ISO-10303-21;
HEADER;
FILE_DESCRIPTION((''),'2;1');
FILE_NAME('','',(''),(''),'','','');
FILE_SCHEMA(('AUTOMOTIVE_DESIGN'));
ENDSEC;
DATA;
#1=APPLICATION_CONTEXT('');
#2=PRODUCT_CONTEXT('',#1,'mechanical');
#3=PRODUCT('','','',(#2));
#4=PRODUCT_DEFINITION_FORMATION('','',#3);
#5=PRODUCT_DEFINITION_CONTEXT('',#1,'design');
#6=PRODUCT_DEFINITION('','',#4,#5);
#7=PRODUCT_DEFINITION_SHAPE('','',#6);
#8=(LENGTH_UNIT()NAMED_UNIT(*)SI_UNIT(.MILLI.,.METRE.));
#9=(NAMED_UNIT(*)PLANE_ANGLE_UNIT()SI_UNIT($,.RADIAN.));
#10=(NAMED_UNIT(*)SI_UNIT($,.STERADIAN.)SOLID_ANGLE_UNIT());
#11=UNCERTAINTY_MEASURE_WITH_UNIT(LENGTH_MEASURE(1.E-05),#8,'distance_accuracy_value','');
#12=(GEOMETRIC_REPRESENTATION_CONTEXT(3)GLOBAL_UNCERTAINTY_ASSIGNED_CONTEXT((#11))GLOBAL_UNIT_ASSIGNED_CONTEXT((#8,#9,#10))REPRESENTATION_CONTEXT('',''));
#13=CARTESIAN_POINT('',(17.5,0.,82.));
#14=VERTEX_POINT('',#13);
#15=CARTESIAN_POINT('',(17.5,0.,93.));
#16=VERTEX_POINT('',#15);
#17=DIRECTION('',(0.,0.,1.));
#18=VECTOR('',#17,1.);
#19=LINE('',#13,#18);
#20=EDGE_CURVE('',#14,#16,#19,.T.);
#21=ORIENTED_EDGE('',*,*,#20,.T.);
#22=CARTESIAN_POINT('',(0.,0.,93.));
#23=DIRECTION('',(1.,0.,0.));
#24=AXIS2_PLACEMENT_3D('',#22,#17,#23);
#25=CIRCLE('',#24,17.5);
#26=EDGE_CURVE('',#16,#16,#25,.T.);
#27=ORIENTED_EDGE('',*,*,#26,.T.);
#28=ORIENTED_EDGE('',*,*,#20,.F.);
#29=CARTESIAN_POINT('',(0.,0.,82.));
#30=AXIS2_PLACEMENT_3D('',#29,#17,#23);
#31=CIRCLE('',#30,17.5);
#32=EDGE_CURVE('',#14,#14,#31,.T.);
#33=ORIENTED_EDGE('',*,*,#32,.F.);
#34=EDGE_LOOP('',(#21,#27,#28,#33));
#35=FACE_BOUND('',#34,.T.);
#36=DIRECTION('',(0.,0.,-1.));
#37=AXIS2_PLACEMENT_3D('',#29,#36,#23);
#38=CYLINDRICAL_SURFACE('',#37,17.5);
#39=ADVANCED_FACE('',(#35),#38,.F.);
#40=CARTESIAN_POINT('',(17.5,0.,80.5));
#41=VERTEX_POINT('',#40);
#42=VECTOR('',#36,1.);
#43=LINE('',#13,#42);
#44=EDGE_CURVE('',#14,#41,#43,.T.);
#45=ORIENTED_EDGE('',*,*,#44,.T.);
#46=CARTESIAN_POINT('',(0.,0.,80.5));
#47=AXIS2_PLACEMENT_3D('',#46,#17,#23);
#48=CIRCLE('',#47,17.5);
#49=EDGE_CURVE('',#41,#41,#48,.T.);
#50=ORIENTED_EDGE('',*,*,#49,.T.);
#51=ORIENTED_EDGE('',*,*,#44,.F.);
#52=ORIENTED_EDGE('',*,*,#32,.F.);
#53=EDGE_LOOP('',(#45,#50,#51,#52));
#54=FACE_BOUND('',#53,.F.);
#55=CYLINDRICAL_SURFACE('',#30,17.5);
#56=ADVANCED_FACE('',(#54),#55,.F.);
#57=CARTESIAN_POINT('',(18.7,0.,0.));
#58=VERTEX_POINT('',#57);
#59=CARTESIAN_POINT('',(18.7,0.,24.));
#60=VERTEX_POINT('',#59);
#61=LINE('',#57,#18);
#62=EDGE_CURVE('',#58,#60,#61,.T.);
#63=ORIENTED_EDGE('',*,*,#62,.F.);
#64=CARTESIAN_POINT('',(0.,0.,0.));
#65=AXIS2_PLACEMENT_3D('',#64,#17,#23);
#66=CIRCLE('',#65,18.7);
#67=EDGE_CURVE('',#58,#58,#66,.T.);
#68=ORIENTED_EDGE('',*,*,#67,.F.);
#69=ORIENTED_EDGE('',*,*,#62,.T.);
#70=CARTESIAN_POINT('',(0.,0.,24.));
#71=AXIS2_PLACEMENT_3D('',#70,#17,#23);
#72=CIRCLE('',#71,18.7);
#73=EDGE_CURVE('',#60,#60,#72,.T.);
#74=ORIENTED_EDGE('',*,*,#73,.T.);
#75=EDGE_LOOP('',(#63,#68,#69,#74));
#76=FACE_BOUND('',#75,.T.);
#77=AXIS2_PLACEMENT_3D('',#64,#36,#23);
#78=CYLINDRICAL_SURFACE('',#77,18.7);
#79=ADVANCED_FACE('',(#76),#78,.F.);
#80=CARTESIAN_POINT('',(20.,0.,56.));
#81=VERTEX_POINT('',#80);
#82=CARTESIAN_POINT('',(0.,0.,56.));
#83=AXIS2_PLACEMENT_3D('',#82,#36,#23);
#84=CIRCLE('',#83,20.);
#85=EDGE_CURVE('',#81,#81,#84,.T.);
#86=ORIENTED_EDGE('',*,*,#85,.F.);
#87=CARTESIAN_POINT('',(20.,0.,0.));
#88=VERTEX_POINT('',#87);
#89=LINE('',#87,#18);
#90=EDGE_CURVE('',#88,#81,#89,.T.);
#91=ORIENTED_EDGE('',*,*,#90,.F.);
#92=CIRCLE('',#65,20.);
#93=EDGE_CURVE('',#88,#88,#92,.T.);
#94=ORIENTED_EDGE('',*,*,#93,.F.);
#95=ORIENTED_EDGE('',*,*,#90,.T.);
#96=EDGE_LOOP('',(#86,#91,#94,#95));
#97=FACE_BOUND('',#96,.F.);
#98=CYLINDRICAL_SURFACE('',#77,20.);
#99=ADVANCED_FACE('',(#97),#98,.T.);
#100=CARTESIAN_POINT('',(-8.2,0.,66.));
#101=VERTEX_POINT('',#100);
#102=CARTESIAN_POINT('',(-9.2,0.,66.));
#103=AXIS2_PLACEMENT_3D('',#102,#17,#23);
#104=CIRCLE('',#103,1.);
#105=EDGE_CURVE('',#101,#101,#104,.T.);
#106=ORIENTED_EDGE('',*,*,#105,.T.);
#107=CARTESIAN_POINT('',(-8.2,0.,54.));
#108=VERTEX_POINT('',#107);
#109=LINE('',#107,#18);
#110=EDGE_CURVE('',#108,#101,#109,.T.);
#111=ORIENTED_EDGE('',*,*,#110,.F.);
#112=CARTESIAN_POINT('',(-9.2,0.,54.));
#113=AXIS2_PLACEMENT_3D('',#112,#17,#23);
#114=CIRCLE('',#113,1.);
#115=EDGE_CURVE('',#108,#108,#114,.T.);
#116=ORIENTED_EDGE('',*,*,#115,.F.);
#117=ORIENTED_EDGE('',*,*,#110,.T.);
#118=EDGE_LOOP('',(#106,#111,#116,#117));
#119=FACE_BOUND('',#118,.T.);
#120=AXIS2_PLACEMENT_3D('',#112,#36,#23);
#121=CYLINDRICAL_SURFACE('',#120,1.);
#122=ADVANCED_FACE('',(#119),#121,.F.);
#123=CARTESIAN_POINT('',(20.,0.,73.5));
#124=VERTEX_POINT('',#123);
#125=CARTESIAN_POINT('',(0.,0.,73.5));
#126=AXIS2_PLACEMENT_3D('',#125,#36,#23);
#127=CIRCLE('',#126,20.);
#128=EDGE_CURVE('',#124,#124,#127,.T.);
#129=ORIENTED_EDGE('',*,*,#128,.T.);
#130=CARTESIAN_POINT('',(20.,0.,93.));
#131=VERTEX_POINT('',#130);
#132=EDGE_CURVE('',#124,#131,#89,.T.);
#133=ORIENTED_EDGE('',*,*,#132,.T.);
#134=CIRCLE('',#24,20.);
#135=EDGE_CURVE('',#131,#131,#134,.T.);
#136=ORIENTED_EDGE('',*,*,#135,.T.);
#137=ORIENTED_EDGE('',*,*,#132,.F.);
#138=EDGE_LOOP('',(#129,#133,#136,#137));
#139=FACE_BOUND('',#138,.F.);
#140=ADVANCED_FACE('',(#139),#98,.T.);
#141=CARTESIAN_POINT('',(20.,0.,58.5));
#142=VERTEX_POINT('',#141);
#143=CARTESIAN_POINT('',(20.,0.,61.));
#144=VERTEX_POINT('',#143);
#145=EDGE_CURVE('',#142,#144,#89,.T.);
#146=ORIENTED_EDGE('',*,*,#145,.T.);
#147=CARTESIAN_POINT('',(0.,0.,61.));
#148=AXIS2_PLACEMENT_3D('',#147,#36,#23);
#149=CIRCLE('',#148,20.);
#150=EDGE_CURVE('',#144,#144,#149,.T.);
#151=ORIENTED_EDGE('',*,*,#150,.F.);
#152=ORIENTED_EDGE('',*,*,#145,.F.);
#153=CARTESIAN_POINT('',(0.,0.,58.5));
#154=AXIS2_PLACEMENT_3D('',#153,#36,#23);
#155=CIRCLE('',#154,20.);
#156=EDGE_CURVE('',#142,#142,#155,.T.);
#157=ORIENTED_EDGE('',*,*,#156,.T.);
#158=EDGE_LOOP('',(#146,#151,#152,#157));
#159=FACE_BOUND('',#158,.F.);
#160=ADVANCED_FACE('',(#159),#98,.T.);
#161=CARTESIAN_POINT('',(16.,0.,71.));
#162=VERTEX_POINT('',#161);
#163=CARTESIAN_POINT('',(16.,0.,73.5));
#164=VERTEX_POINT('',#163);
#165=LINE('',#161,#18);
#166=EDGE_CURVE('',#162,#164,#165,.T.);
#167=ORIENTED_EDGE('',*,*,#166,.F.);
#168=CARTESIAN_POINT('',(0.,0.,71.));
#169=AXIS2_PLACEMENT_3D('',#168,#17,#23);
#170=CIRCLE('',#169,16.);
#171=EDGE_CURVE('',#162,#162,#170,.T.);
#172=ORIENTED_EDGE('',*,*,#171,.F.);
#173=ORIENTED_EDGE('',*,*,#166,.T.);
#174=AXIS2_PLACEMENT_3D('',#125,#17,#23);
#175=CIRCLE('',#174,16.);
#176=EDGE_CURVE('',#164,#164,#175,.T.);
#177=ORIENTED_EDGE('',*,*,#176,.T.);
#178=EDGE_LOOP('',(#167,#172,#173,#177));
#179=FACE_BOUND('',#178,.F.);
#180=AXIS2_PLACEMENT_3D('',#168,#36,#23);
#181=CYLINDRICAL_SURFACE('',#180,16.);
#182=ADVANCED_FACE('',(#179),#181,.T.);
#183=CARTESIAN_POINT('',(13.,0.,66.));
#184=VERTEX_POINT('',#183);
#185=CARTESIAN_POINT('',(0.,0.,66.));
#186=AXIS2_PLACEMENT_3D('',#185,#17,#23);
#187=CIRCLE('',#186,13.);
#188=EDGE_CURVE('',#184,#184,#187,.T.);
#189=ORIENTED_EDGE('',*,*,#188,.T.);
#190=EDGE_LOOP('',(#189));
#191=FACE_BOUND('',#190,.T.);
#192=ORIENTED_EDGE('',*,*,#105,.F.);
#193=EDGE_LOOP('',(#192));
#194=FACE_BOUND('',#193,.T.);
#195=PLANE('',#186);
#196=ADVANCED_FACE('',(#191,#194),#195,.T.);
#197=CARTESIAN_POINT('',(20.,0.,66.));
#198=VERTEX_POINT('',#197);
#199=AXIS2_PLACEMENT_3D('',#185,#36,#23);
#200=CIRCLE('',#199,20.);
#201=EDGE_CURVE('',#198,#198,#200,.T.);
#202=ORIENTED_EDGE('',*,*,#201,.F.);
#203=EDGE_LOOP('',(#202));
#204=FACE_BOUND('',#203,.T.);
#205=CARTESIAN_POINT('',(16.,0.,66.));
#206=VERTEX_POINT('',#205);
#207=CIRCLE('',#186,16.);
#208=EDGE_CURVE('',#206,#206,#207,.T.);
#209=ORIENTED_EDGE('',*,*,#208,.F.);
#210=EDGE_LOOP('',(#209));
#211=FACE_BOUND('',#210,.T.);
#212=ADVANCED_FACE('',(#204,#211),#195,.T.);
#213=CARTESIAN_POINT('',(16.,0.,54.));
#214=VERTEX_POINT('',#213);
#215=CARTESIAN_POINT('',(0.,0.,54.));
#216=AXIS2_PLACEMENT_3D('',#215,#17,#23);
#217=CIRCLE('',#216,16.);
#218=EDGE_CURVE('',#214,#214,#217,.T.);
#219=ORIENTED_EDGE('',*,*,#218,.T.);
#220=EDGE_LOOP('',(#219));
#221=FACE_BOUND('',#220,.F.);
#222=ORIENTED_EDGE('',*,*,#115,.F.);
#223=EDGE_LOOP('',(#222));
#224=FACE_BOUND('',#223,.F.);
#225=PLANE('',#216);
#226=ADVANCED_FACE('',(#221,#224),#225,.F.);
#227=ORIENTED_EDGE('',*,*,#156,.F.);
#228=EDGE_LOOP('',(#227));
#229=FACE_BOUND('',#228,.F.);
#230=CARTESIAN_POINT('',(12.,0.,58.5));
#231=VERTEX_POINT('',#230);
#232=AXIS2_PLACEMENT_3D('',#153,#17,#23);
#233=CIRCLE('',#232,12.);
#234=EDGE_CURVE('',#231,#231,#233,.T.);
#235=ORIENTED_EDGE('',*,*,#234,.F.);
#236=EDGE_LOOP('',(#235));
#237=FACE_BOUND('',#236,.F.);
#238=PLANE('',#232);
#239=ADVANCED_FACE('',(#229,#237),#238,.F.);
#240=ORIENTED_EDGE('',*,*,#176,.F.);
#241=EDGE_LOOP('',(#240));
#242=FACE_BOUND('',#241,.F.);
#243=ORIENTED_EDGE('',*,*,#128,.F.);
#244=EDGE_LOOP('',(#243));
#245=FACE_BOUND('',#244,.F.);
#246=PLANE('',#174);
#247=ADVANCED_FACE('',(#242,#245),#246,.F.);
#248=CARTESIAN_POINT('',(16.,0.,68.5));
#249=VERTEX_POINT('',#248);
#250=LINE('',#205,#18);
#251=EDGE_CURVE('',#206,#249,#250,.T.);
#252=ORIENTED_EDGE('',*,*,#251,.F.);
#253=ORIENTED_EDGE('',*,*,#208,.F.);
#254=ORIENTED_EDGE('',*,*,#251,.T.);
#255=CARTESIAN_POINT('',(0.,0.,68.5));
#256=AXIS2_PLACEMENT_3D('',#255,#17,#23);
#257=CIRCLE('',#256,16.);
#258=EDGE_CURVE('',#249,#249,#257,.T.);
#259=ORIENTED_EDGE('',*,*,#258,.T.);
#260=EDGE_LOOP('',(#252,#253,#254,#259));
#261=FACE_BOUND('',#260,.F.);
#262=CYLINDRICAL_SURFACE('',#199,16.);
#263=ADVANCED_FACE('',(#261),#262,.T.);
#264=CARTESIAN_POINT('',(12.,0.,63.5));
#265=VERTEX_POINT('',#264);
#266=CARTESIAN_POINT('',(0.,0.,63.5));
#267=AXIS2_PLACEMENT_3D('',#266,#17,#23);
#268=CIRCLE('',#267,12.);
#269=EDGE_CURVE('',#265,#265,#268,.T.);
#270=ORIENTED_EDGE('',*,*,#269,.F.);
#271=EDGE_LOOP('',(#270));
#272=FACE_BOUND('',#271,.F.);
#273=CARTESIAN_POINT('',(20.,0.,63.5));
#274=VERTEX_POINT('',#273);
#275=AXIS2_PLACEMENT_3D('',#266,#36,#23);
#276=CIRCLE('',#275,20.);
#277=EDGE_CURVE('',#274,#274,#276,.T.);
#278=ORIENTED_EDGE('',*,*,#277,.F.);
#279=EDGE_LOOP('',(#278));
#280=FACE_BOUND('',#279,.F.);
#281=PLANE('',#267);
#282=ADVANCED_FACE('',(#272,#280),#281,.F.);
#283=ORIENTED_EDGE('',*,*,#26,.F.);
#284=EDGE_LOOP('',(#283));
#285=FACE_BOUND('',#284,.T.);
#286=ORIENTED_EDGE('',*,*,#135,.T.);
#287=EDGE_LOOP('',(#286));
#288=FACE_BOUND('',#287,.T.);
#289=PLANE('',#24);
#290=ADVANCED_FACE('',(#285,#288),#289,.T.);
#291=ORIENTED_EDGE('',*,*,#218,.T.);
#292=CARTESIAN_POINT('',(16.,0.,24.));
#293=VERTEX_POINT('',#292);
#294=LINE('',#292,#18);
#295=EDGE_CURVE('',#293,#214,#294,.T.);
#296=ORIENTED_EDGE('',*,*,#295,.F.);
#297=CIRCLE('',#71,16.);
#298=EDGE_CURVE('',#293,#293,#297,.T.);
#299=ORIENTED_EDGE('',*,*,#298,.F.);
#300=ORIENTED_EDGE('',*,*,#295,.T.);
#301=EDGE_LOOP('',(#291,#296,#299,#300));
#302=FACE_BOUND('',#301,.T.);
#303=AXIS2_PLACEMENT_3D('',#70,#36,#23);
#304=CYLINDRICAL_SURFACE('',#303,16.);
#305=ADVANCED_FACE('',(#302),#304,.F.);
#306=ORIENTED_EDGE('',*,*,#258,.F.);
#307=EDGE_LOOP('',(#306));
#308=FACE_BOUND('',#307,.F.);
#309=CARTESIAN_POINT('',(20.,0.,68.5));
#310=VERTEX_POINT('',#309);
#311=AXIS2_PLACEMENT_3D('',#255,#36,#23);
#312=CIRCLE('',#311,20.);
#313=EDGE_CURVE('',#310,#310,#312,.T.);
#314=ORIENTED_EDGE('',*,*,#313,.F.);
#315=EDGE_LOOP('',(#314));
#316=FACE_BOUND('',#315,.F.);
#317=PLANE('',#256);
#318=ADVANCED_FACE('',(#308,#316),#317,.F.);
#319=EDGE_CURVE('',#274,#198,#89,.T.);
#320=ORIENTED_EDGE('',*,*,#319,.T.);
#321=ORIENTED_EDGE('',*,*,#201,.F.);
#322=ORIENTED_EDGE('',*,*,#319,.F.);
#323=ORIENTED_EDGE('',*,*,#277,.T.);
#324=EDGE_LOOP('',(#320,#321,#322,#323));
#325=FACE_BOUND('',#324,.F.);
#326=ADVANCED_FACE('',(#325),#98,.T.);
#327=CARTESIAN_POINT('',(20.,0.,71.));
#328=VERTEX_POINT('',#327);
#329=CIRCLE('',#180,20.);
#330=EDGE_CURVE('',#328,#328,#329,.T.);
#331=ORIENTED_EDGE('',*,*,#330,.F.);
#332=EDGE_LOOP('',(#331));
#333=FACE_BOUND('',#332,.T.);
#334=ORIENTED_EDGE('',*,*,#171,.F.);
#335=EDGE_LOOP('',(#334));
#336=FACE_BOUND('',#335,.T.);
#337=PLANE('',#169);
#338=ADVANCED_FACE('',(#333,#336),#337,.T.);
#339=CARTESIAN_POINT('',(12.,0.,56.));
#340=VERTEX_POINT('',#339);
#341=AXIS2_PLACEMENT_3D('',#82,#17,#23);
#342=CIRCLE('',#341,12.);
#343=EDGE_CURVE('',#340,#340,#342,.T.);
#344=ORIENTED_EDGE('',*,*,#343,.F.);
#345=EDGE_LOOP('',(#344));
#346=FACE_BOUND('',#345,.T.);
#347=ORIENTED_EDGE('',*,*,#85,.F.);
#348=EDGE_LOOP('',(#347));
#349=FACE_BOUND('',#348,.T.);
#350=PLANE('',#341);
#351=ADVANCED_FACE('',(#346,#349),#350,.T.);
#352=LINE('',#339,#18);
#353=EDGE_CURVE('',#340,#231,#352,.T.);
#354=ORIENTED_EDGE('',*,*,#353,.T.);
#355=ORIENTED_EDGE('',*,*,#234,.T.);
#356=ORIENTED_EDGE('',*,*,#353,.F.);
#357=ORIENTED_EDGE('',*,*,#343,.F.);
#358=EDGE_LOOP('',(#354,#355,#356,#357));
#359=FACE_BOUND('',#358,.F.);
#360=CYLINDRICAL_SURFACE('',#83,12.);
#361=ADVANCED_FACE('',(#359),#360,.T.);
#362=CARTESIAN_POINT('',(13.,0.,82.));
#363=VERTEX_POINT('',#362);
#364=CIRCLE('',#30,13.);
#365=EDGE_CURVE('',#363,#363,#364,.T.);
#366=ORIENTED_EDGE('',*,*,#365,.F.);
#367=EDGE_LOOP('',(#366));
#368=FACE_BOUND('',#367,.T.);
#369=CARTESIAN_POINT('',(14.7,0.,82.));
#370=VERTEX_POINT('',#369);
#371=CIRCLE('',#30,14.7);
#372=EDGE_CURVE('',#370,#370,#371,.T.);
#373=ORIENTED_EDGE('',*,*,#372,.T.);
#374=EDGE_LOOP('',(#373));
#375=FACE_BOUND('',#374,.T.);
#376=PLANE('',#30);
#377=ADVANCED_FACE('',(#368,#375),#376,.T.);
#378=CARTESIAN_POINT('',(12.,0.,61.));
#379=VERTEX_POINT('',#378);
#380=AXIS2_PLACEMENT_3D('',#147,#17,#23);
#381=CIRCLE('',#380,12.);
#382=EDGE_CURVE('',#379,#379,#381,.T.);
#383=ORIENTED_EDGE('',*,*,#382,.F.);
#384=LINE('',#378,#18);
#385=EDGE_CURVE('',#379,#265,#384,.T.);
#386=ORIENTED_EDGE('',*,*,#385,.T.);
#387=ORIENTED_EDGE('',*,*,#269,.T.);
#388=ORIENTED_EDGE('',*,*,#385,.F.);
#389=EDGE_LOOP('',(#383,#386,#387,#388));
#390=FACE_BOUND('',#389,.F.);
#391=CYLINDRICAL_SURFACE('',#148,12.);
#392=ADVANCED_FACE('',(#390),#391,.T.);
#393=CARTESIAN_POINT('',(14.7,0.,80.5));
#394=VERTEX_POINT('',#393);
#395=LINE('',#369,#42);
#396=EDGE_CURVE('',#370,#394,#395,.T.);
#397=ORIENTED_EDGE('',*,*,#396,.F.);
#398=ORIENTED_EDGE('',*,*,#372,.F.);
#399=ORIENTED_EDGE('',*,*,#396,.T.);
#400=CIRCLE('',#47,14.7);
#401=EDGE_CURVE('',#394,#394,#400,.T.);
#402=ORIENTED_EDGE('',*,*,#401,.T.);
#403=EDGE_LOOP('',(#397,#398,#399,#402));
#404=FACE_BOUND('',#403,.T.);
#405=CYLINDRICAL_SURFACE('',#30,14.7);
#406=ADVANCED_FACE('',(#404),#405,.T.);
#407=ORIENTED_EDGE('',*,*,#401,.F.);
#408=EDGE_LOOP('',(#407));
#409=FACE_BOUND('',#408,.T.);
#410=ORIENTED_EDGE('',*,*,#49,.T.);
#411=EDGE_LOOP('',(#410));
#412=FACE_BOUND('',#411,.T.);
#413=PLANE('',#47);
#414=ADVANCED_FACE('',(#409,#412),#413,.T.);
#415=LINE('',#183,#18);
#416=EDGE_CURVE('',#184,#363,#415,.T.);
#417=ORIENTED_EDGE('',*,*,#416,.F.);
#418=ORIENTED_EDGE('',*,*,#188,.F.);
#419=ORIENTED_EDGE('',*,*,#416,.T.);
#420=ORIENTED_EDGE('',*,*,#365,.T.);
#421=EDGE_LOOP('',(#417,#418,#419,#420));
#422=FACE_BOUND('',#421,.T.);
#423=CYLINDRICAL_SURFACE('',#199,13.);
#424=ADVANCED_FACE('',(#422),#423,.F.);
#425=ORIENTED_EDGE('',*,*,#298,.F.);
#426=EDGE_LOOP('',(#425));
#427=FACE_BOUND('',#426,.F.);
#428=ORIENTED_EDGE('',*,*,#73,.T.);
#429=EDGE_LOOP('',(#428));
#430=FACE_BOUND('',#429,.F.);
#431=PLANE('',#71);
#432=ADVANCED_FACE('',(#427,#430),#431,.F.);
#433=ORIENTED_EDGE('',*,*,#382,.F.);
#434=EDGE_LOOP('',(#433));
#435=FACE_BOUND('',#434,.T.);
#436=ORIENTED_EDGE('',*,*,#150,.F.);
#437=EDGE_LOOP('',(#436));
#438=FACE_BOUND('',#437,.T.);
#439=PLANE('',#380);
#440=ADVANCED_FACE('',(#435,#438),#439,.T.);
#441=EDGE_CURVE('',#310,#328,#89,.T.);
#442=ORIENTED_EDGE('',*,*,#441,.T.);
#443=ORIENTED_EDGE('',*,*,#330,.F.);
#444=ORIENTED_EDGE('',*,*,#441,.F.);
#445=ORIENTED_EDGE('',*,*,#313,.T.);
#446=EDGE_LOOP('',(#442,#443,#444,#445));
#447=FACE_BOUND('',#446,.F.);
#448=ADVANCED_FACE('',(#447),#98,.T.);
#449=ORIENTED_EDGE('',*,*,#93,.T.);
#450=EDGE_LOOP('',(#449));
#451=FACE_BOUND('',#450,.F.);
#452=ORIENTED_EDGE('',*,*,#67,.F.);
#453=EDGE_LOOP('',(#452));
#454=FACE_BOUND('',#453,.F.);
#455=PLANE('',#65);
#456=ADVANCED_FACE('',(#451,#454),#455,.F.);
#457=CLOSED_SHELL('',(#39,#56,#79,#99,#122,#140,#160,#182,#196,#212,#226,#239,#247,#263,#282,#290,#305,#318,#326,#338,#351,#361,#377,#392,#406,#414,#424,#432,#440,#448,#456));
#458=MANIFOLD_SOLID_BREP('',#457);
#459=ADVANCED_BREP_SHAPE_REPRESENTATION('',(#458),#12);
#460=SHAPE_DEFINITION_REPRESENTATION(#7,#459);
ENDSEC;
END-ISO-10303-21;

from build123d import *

# Parameters (mm, degrees)
SKETCH_R       = 18.7
PAD_DEPTH      = 24
SKETCH001_R    = 16
PAD001_DEPTH   = 30
SKETCH002_R    = 1
PAD002_DEPTH   = 12
SKETCH003_R    = 13
PAD003_DEPTH   = 16
SKETCH004_R    = 17.5
PAD004_DEPTH   = 11
SKETCH008_R    = 22
SKETCH008_R_2  = 12
PAD008_DEPTH   = 2.5
SKETCH007_R    = 22
SKETCH007_R_2  = 12
PAD007_DEPTH   = 2.5
SKETCH006_R    = 22
SKETCH006_R_2  = 16
PAD006_DEPTH   = 2.5
SKETCH005_R    = 22
SKETCH005_R_2  = 16
PAD005_DEPTH   = 2.5
CYLINDER_R     = 20
CYLINDER_DEPTH = 93
SKETCH012_R    = 17.5
SKETCH012_R_2  = 14.7
POCKET_DEPTH   = 1.5


with BuildPart() as raum_glas:
    # Sketch → Pad (new body)
    with BuildSketch(Plane.XY):
        Circle(SKETCH_R)
    extrude(amount=PAD_DEPTH)

    # Sketch001 → Pad001 (new body)
    with BuildSketch(Plane.XY.offset(24)):
        Circle(SKETCH001_R)
    extrude(amount=PAD001_DEPTH)

    # Sketch002 → Pad002 (new body)
    with BuildSketch(Plane.XY.offset(54)):
        with Locations((-9.2, 0)):
            Circle(SKETCH002_R)
    extrude(amount=PAD002_DEPTH)

    # Sketch003 → Pad003 (new body)
    with BuildSketch(Plane.XY.offset(66)):
        Circle(SKETCH003_R)
    extrude(amount=PAD003_DEPTH)

    # Sketch004 → Pad004 (new body)
    with BuildSketch(Plane.XY.offset(82)):
        Circle(SKETCH004_R)
    extrude(amount=PAD004_DEPTH)


with BuildPart() as pad008:
    # Sketch008 → Pad008 (new body)
    with BuildSketch(Plane.XY.offset(56)):
        Circle(SKETCH008_R)
        Circle(SKETCH008_R_2, mode=Mode.SUBTRACT)
    extrude(amount=PAD008_DEPTH)


with BuildPart() as pad007:
    # Sketch007 → Pad007 (new body)
    with BuildSketch(Plane.XY.offset(61)):
        Circle(SKETCH007_R)
        Circle(SKETCH007_R_2, mode=Mode.SUBTRACT)
    extrude(amount=PAD007_DEPTH)


with BuildPart() as pad006:
    # Sketch006 → Pad006 (new body)
    with BuildSketch(Plane.XY.offset(71)):
        Circle(SKETCH006_R)
        Circle(SKETCH006_R_2, mode=Mode.SUBTRACT)
    extrude(amount=PAD006_DEPTH)


with BuildPart() as pad005:
    # Sketch005 → Pad005 (new body)
    with BuildSketch(Plane.XY.offset(66)):
        Circle(SKETCH005_R)
        Circle(SKETCH005_R_2, mode=Mode.SUBTRACT)
    extrude(amount=PAD005_DEPTH)


with BuildPart() as nut_axial:
    # Cylinder → Cylinder (new body)
    with BuildSketch(Plane.XY):
        Circle(CYLINDER_R)
    extrude(amount=CYLINDER_DEPTH)

    # Cut: cut Pad005
    add(pad005.part, mode=Mode.SUBTRACT)

    # Cut001: cut Pad006
    add(pad006.part, mode=Mode.SUBTRACT)

    # Cut002: cut Pad007
    add(pad007.part, mode=Mode.SUBTRACT)

    # Cut003: cut Pad008
    add(pad008.part, mode=Mode.SUBTRACT)

    # Cut010: cut Raum Glas
    add(raum_glas.part, mode=Mode.SUBTRACT)

    # Sketch012 → Pocket (cut)
    with BuildSketch(Plane.XY.offset(82)):
        Circle(SKETCH012_R)
        Circle(SKETCH012_R_2, mode=Mode.SUBTRACT)
    extrude(amount=-POCKET_DEPTH, mode=Mode.SUBTRACT)


solid = nut_axial.part
